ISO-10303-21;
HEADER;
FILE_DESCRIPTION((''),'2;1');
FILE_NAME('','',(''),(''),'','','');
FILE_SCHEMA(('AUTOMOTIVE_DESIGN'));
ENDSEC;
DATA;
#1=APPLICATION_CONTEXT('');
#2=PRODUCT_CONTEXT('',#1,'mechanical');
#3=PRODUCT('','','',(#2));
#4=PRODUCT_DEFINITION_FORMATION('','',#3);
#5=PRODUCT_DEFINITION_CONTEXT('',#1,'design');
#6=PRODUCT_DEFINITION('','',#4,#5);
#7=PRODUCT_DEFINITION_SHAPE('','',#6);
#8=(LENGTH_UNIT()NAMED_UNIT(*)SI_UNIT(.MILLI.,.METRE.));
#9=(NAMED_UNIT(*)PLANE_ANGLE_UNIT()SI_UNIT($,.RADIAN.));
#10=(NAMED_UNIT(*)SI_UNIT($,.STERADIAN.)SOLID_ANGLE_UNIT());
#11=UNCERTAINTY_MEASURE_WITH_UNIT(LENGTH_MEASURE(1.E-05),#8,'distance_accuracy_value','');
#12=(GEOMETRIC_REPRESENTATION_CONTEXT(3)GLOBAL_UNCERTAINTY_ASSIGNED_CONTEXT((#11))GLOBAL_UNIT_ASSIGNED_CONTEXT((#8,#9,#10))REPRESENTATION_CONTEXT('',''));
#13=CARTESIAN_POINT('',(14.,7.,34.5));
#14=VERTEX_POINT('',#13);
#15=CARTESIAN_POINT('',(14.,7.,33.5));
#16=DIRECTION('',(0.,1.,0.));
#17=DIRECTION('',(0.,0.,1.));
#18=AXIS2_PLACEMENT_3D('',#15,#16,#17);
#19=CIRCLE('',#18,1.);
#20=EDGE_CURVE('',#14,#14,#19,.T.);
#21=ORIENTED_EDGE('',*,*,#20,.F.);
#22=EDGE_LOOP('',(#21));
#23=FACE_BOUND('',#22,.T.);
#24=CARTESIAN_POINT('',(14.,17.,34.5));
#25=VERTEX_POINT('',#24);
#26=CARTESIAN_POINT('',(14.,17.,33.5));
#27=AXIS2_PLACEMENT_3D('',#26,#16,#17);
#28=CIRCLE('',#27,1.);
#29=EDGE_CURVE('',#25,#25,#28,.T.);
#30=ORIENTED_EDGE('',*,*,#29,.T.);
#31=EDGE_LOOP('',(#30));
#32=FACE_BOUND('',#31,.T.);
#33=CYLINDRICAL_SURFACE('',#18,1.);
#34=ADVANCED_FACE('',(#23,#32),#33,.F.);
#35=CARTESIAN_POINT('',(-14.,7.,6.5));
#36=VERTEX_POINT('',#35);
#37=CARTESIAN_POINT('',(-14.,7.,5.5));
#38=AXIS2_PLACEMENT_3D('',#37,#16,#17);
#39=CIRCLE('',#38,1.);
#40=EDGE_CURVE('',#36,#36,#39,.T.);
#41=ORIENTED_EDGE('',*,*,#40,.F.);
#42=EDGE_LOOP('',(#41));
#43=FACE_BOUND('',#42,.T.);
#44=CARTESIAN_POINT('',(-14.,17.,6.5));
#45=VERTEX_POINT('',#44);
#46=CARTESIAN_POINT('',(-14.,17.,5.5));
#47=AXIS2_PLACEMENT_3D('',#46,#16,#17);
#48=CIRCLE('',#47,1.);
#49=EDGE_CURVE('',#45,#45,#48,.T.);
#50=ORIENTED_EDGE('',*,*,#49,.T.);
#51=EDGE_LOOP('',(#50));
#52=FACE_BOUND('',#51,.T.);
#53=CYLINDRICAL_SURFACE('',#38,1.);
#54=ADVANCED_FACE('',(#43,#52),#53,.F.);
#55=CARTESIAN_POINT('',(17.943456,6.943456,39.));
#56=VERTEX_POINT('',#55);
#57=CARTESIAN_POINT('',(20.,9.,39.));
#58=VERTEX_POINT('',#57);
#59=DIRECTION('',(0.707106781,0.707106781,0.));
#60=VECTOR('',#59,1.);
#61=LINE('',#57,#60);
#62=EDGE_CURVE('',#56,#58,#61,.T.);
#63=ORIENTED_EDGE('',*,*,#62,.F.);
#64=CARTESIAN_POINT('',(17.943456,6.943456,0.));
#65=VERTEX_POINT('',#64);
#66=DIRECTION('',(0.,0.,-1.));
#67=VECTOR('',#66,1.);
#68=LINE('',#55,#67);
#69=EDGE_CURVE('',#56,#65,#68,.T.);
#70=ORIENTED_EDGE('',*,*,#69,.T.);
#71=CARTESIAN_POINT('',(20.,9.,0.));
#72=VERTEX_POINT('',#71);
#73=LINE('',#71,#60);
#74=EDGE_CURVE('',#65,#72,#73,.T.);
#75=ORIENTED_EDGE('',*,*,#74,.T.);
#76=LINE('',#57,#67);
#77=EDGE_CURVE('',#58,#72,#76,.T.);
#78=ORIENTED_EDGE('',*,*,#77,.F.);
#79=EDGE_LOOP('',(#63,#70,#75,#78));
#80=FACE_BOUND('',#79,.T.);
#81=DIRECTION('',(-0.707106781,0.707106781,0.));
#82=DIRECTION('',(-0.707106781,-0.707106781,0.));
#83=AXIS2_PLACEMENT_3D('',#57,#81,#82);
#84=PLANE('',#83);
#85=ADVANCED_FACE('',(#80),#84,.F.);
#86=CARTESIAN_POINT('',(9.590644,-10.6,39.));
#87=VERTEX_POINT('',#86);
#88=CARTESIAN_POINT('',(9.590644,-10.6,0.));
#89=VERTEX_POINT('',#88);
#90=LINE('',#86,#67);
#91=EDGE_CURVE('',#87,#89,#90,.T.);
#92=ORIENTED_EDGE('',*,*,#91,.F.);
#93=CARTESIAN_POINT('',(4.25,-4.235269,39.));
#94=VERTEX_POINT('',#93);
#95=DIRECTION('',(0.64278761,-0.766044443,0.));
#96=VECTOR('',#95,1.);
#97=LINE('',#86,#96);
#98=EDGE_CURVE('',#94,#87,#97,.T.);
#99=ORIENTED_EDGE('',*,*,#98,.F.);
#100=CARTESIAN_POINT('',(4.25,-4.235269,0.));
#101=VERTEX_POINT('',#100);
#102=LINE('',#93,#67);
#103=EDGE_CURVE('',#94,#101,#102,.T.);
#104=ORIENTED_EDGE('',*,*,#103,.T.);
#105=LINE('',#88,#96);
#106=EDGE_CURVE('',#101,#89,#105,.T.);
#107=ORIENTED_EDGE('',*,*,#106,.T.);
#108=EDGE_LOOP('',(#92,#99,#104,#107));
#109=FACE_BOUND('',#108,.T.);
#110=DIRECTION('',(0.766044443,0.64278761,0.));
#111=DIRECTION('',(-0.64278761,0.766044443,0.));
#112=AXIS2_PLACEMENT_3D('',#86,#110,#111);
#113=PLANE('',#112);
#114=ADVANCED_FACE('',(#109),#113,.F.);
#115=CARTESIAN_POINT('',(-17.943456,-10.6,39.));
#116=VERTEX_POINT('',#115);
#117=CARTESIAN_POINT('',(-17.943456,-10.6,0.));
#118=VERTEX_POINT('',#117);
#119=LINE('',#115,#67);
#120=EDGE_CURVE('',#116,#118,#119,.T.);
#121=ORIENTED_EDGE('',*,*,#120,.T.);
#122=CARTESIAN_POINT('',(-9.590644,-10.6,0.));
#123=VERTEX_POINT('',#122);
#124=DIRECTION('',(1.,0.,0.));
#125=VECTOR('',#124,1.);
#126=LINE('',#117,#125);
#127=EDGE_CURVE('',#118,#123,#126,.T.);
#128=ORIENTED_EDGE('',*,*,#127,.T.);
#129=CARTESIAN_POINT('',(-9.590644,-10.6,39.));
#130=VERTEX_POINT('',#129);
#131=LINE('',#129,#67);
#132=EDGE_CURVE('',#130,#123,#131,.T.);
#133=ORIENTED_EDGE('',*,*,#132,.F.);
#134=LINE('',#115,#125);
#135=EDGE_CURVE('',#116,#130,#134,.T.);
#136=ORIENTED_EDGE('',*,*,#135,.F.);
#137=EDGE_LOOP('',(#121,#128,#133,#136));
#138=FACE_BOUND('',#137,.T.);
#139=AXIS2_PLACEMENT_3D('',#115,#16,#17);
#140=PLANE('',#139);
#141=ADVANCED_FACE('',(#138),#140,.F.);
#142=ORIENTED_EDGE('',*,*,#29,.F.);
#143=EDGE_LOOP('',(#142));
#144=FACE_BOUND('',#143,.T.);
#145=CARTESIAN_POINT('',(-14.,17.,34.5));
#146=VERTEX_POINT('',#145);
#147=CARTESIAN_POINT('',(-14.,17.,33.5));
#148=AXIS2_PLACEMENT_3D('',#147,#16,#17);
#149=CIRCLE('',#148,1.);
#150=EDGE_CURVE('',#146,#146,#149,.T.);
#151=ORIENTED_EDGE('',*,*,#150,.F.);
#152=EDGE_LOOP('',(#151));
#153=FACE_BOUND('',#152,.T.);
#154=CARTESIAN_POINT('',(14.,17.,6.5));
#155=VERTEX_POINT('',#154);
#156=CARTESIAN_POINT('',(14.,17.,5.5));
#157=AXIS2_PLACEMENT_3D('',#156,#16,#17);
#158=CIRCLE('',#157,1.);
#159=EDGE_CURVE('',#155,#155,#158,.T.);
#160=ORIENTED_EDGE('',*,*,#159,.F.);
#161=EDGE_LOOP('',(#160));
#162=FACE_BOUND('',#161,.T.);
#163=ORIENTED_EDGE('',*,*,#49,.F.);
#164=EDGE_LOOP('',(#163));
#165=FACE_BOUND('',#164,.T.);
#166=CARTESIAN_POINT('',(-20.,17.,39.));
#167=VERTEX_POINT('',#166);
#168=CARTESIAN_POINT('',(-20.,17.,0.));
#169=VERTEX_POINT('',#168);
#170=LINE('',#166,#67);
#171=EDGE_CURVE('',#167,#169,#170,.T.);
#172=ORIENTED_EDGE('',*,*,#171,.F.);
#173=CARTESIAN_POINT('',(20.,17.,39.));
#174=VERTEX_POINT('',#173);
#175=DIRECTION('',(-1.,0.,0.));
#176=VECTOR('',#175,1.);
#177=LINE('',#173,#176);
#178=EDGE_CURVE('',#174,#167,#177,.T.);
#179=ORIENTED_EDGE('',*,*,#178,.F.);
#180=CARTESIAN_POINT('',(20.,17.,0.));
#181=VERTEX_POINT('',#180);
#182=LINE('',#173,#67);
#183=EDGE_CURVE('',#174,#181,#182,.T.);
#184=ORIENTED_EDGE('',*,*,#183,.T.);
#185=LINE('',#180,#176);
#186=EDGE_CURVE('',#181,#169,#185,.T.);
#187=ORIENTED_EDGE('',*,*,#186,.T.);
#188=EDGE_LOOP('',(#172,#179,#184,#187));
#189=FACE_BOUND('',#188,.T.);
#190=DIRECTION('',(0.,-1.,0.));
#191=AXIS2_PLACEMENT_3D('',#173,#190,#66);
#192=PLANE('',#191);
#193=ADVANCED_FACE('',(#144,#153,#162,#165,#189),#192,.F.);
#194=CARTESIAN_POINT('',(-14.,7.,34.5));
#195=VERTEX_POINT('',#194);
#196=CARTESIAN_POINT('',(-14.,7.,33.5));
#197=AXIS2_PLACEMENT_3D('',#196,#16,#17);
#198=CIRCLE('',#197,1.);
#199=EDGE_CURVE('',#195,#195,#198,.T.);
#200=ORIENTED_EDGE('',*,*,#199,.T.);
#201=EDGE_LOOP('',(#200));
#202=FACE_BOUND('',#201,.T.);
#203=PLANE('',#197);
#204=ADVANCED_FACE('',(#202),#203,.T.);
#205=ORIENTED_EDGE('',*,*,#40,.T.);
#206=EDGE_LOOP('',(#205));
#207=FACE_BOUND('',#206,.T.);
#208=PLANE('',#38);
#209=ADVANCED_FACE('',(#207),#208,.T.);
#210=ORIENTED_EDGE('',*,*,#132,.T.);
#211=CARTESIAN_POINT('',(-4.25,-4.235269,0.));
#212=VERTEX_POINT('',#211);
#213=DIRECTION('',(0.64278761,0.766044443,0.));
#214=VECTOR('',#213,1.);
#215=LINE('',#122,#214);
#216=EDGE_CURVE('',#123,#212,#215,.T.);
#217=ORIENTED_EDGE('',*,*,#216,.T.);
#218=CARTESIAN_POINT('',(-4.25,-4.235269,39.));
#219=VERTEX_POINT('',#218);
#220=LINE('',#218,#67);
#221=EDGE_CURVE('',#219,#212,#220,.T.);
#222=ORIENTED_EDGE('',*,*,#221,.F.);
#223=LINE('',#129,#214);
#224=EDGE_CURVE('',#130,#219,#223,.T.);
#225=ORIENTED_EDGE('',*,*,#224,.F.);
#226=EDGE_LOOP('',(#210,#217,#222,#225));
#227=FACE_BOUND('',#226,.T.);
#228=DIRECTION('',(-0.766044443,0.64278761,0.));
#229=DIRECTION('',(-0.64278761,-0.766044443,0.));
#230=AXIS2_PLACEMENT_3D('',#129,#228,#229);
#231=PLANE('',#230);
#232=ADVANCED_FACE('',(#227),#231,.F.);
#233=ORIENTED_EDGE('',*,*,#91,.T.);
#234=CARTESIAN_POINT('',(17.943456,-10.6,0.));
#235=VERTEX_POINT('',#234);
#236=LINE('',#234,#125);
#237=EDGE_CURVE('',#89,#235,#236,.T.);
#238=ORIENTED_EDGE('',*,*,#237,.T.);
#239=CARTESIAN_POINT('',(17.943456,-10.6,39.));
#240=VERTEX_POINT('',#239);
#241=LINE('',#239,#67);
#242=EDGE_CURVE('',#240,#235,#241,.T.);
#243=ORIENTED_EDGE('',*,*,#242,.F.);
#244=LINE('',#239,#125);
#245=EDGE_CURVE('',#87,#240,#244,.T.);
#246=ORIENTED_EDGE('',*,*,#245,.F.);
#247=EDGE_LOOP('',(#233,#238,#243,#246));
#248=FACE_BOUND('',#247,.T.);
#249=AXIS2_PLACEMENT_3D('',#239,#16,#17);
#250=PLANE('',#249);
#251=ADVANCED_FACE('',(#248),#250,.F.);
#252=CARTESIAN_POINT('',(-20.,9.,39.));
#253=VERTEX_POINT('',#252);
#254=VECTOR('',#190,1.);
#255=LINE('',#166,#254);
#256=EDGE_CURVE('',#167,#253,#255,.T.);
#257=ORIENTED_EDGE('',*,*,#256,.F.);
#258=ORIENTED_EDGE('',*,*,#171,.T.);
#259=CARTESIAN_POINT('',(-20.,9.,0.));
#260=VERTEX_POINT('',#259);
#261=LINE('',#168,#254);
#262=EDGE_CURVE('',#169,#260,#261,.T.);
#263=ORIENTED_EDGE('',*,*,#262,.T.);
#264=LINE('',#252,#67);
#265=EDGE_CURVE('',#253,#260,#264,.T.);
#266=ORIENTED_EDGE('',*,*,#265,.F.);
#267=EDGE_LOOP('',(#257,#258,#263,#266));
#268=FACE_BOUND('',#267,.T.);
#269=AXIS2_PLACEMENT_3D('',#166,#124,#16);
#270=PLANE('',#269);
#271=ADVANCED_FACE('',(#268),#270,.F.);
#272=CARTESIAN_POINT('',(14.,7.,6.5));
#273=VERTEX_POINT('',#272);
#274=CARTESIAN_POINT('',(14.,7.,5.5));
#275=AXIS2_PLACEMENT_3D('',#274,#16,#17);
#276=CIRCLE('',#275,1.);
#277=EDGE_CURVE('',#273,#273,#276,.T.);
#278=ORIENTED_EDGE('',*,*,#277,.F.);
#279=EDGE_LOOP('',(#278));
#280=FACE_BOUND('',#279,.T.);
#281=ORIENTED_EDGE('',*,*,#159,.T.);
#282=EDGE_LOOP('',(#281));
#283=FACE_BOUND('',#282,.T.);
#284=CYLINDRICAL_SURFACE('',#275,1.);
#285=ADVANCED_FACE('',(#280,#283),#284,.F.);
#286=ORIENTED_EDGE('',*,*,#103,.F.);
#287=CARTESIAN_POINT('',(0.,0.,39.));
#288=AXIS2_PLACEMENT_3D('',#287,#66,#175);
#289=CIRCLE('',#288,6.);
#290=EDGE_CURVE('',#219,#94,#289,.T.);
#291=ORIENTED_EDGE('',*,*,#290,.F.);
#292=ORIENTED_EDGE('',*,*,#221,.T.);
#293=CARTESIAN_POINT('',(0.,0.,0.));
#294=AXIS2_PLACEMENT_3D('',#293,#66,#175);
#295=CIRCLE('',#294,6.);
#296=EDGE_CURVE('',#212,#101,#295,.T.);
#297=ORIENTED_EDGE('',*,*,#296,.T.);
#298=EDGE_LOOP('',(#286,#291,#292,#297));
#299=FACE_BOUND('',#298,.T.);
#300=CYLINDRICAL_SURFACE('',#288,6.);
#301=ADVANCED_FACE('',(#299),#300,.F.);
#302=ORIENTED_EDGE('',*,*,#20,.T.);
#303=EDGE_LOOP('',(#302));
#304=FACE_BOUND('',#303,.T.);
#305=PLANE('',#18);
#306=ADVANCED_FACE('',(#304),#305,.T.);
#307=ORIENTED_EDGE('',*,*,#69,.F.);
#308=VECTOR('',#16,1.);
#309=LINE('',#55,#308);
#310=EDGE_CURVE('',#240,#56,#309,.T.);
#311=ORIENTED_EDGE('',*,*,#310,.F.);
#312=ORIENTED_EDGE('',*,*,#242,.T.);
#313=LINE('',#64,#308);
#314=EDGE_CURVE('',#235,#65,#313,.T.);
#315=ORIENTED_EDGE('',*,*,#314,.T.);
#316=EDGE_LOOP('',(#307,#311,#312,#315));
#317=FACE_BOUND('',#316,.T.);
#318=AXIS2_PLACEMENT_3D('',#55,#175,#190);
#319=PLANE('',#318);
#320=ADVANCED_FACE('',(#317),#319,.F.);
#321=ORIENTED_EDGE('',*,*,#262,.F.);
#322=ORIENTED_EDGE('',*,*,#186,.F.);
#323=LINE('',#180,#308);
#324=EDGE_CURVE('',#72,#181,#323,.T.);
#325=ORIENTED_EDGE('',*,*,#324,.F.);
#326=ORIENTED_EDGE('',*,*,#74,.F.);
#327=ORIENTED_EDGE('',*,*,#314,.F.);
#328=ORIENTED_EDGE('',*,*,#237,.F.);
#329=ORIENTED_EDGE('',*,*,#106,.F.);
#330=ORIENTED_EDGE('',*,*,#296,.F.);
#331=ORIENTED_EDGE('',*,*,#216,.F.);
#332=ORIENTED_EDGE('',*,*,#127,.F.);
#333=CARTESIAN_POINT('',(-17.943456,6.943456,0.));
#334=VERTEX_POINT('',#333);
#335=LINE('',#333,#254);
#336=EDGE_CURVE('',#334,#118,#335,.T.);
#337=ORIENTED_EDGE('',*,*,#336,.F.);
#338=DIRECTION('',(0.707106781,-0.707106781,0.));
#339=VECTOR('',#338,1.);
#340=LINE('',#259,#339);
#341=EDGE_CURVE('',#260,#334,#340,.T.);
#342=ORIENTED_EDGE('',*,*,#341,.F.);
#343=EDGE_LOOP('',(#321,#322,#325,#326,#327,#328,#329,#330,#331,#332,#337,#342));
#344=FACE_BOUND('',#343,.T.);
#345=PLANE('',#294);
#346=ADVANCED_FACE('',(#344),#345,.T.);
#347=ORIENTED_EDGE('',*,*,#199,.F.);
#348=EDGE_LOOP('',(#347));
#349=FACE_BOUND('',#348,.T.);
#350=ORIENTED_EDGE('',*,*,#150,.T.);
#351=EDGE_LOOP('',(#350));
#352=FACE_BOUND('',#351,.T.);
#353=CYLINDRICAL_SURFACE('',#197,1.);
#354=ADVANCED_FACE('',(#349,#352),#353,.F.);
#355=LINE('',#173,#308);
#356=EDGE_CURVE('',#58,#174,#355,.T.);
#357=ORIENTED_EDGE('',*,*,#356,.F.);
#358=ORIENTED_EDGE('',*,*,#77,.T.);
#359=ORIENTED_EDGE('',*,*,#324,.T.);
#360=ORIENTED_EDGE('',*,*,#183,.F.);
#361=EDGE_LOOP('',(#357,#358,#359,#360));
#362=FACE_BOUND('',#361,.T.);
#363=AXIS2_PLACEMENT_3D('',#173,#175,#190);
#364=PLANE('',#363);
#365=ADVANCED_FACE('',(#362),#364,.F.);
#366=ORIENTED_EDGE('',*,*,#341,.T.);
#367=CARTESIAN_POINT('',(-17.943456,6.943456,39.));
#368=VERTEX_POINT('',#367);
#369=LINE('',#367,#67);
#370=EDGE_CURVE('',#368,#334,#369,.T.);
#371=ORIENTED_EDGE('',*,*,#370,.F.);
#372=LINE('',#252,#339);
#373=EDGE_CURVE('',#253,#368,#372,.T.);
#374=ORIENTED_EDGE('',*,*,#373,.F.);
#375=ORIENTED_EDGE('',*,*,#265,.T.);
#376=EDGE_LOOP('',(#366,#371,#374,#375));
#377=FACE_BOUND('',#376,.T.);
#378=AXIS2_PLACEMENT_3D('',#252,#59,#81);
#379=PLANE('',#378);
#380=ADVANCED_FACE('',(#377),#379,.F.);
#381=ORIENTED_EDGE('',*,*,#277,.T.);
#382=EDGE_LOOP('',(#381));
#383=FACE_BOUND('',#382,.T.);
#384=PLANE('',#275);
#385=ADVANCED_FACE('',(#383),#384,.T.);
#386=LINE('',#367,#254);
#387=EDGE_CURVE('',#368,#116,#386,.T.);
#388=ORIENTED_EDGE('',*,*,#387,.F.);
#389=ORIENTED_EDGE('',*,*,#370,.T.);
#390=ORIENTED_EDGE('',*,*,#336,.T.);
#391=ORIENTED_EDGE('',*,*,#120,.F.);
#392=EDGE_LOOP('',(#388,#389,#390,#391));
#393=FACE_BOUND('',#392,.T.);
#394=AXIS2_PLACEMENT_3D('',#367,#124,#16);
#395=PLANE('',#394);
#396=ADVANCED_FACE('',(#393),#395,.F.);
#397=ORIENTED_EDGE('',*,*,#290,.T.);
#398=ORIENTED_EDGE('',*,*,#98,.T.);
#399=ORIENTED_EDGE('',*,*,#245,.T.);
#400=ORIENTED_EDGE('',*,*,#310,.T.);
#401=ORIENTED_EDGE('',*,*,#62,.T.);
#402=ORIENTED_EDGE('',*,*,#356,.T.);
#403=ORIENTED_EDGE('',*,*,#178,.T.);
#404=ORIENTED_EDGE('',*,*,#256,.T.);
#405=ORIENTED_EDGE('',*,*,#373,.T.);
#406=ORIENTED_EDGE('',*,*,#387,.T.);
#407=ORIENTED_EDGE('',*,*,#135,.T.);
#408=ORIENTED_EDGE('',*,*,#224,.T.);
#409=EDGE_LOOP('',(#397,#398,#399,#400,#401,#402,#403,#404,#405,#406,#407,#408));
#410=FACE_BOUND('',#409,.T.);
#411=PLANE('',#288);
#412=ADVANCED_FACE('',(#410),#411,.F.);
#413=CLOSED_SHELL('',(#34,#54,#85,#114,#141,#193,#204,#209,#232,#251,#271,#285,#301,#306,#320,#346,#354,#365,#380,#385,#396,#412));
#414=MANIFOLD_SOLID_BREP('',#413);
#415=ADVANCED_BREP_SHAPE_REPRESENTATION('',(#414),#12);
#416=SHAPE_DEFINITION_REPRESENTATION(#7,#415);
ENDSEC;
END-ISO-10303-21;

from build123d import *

# Parameters (mm, degrees)
BOSS_EXTRUDE1_DEPTH = 39
SKETCH2_R           = 1
CUT_EXTRUDE1_DEPTH  = 10


with BuildPart() as part:
    # Sketch1 → Boss-Extrude1 (new body)
    with BuildSketch(Plane.XY):
        with BuildLine():
            Line((20, 17), (-20, 17))
            Line((-20, 17), (-20, 9))
            Line((-20, 9), (-17.943455856, 6.943455856))
            Line((-17.943455856, 6.943455856), (-17.943455856, -10.6))
            Line((-17.943455856, -10.6), (-9.590643782, -10.6))
            Line((-9.590643782, -10.6), (-4.25, -4.235268587))
            ThreePointArc((-4.25, -4.235268587), (0, 6), (4.25, -4.235268587))
            Line((4.25, -4.235268587), (9.590643782, -10.6))
            Line((9.590643782, -10.6), (17.943455856, -10.6))
            Line((17.943455856, -10.6), (17.943455856, 6.943455856))
            Line((17.943455856, 6.943455856), (20, 9))
            Line((20, 9), (20, 17))
        make_face()
    extrude(amount=BOSS_EXTRUDE1_DEPTH)

    # Sketch2 → Cut-Extrude1 (cut)
    with BuildSketch(Plane(origin=(0, 17, 0), x_dir=(1, 0, 0), z_dir=(0, 1, 0))):
        with Locations(Location((-14, -33.5, 0), (0, 0, 270))):
            Circle(SKETCH2_R)
        with Locations(Location((14, -33.5, 0), (0, 0, 270))):
            Circle(SKETCH2_R)
        with Locations(Location((-14, -5.5, 0), (0, 0, 270))):
            Circle(SKETCH2_R)
        with Locations(Location((14, -5.5, 0), (0, 0, 270))):
            Circle(SKETCH2_R)
    extrude(amount=-CUT_EXTRUDE1_DEPTH, mode=Mode.SUBTRACT)


solid = part.part
